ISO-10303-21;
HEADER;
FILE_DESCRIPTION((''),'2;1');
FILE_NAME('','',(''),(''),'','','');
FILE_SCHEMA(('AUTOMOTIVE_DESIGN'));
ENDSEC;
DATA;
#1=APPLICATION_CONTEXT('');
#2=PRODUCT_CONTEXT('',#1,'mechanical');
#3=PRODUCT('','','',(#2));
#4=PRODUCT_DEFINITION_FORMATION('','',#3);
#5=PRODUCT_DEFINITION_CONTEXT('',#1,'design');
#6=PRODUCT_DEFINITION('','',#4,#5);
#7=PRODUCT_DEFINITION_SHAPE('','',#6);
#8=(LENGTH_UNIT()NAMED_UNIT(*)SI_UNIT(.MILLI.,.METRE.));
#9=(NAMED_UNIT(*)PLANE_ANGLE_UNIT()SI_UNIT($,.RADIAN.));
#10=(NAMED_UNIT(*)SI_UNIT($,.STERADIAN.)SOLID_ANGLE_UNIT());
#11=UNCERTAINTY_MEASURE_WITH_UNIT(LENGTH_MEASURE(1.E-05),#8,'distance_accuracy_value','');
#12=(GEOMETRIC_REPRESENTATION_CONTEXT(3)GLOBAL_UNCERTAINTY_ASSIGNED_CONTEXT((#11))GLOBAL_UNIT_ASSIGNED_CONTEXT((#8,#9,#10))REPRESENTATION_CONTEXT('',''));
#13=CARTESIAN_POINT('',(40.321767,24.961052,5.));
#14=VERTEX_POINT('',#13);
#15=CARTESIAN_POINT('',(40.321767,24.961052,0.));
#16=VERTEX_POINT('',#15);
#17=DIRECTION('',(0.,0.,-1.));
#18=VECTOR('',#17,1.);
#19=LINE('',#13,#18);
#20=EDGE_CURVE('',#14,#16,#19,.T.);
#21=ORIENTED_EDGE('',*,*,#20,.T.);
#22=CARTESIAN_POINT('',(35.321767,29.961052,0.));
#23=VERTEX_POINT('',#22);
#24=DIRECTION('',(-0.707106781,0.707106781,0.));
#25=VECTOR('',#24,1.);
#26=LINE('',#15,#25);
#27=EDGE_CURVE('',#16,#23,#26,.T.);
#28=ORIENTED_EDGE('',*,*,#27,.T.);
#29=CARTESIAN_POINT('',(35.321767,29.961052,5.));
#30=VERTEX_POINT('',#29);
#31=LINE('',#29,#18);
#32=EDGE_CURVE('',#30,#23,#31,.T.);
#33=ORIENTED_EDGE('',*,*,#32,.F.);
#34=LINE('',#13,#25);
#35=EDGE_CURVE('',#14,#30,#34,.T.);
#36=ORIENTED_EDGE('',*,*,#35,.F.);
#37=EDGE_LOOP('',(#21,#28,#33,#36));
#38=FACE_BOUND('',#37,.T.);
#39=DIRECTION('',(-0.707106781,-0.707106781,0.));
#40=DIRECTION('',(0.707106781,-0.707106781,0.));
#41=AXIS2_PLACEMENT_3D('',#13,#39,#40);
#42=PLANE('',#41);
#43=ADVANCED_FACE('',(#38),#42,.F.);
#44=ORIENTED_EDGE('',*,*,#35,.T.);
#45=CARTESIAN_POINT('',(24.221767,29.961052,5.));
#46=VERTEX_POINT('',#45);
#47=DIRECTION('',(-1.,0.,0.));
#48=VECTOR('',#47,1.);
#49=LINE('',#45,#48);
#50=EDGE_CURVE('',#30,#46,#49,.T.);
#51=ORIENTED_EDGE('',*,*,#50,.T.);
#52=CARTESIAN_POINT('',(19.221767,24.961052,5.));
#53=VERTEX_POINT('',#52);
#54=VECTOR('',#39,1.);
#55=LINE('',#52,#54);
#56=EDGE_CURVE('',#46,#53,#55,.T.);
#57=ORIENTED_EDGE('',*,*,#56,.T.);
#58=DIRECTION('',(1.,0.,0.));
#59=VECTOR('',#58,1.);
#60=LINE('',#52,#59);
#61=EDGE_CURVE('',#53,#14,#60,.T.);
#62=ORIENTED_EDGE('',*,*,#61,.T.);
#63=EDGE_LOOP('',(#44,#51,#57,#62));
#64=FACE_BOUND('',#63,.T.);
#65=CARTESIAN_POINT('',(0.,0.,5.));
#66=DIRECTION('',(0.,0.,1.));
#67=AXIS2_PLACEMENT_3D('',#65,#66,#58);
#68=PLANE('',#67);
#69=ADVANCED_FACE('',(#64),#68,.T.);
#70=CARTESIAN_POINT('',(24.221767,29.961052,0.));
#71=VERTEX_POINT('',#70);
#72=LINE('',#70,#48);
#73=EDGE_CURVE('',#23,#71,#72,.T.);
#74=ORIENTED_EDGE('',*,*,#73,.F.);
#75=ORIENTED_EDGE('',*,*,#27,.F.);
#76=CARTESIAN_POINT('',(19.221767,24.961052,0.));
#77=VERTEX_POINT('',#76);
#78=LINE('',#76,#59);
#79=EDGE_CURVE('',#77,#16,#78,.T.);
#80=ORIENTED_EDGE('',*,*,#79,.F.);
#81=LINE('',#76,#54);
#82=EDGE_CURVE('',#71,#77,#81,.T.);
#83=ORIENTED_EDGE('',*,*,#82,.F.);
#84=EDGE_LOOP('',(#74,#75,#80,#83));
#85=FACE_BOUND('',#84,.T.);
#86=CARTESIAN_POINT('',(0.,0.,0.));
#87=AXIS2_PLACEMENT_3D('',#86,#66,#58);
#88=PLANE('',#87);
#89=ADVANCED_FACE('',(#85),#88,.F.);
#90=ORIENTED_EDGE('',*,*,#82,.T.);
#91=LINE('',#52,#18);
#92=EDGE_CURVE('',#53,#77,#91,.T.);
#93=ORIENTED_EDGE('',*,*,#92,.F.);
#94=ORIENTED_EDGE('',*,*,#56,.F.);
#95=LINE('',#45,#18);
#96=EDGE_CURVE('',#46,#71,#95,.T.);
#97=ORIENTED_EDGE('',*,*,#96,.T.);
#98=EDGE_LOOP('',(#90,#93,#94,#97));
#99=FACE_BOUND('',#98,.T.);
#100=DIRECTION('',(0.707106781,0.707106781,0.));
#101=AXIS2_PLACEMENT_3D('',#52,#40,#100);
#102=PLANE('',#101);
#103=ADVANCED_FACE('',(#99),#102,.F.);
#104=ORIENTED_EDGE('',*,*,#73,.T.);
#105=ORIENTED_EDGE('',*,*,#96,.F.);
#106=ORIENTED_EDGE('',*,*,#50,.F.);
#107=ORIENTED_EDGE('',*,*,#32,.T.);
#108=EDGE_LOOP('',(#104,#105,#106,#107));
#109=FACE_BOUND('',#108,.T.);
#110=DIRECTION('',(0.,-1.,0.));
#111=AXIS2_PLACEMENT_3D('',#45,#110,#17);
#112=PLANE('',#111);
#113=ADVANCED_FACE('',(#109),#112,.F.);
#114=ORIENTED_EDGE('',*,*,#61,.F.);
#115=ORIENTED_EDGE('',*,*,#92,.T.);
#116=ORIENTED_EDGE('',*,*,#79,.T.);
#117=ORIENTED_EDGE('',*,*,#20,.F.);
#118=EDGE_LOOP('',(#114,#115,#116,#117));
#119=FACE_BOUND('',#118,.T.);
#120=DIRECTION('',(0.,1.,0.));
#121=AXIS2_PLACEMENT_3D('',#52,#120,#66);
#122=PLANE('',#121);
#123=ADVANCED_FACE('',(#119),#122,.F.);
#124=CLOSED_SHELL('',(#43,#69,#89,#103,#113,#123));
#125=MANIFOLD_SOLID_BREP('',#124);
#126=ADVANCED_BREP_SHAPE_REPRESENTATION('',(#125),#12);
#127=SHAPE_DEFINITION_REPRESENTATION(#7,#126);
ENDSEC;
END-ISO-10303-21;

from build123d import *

# Parameters (mm, degrees)
EXTRUDE_1_DEPTH = 5


with BuildPart() as part:
    # 草图1 → 凸台-拉伸1 (new body)
    with BuildSketch(Plane.XY):
        Polygon((19.221766901, 24.961051909), (40.321766901, 24.961051909), (35.321766901, 29.961051909), (24.221766901, 29.961051909), align=None)
    extrude(amount=EXTRUDE_1_DEPTH)


solid = part.part
